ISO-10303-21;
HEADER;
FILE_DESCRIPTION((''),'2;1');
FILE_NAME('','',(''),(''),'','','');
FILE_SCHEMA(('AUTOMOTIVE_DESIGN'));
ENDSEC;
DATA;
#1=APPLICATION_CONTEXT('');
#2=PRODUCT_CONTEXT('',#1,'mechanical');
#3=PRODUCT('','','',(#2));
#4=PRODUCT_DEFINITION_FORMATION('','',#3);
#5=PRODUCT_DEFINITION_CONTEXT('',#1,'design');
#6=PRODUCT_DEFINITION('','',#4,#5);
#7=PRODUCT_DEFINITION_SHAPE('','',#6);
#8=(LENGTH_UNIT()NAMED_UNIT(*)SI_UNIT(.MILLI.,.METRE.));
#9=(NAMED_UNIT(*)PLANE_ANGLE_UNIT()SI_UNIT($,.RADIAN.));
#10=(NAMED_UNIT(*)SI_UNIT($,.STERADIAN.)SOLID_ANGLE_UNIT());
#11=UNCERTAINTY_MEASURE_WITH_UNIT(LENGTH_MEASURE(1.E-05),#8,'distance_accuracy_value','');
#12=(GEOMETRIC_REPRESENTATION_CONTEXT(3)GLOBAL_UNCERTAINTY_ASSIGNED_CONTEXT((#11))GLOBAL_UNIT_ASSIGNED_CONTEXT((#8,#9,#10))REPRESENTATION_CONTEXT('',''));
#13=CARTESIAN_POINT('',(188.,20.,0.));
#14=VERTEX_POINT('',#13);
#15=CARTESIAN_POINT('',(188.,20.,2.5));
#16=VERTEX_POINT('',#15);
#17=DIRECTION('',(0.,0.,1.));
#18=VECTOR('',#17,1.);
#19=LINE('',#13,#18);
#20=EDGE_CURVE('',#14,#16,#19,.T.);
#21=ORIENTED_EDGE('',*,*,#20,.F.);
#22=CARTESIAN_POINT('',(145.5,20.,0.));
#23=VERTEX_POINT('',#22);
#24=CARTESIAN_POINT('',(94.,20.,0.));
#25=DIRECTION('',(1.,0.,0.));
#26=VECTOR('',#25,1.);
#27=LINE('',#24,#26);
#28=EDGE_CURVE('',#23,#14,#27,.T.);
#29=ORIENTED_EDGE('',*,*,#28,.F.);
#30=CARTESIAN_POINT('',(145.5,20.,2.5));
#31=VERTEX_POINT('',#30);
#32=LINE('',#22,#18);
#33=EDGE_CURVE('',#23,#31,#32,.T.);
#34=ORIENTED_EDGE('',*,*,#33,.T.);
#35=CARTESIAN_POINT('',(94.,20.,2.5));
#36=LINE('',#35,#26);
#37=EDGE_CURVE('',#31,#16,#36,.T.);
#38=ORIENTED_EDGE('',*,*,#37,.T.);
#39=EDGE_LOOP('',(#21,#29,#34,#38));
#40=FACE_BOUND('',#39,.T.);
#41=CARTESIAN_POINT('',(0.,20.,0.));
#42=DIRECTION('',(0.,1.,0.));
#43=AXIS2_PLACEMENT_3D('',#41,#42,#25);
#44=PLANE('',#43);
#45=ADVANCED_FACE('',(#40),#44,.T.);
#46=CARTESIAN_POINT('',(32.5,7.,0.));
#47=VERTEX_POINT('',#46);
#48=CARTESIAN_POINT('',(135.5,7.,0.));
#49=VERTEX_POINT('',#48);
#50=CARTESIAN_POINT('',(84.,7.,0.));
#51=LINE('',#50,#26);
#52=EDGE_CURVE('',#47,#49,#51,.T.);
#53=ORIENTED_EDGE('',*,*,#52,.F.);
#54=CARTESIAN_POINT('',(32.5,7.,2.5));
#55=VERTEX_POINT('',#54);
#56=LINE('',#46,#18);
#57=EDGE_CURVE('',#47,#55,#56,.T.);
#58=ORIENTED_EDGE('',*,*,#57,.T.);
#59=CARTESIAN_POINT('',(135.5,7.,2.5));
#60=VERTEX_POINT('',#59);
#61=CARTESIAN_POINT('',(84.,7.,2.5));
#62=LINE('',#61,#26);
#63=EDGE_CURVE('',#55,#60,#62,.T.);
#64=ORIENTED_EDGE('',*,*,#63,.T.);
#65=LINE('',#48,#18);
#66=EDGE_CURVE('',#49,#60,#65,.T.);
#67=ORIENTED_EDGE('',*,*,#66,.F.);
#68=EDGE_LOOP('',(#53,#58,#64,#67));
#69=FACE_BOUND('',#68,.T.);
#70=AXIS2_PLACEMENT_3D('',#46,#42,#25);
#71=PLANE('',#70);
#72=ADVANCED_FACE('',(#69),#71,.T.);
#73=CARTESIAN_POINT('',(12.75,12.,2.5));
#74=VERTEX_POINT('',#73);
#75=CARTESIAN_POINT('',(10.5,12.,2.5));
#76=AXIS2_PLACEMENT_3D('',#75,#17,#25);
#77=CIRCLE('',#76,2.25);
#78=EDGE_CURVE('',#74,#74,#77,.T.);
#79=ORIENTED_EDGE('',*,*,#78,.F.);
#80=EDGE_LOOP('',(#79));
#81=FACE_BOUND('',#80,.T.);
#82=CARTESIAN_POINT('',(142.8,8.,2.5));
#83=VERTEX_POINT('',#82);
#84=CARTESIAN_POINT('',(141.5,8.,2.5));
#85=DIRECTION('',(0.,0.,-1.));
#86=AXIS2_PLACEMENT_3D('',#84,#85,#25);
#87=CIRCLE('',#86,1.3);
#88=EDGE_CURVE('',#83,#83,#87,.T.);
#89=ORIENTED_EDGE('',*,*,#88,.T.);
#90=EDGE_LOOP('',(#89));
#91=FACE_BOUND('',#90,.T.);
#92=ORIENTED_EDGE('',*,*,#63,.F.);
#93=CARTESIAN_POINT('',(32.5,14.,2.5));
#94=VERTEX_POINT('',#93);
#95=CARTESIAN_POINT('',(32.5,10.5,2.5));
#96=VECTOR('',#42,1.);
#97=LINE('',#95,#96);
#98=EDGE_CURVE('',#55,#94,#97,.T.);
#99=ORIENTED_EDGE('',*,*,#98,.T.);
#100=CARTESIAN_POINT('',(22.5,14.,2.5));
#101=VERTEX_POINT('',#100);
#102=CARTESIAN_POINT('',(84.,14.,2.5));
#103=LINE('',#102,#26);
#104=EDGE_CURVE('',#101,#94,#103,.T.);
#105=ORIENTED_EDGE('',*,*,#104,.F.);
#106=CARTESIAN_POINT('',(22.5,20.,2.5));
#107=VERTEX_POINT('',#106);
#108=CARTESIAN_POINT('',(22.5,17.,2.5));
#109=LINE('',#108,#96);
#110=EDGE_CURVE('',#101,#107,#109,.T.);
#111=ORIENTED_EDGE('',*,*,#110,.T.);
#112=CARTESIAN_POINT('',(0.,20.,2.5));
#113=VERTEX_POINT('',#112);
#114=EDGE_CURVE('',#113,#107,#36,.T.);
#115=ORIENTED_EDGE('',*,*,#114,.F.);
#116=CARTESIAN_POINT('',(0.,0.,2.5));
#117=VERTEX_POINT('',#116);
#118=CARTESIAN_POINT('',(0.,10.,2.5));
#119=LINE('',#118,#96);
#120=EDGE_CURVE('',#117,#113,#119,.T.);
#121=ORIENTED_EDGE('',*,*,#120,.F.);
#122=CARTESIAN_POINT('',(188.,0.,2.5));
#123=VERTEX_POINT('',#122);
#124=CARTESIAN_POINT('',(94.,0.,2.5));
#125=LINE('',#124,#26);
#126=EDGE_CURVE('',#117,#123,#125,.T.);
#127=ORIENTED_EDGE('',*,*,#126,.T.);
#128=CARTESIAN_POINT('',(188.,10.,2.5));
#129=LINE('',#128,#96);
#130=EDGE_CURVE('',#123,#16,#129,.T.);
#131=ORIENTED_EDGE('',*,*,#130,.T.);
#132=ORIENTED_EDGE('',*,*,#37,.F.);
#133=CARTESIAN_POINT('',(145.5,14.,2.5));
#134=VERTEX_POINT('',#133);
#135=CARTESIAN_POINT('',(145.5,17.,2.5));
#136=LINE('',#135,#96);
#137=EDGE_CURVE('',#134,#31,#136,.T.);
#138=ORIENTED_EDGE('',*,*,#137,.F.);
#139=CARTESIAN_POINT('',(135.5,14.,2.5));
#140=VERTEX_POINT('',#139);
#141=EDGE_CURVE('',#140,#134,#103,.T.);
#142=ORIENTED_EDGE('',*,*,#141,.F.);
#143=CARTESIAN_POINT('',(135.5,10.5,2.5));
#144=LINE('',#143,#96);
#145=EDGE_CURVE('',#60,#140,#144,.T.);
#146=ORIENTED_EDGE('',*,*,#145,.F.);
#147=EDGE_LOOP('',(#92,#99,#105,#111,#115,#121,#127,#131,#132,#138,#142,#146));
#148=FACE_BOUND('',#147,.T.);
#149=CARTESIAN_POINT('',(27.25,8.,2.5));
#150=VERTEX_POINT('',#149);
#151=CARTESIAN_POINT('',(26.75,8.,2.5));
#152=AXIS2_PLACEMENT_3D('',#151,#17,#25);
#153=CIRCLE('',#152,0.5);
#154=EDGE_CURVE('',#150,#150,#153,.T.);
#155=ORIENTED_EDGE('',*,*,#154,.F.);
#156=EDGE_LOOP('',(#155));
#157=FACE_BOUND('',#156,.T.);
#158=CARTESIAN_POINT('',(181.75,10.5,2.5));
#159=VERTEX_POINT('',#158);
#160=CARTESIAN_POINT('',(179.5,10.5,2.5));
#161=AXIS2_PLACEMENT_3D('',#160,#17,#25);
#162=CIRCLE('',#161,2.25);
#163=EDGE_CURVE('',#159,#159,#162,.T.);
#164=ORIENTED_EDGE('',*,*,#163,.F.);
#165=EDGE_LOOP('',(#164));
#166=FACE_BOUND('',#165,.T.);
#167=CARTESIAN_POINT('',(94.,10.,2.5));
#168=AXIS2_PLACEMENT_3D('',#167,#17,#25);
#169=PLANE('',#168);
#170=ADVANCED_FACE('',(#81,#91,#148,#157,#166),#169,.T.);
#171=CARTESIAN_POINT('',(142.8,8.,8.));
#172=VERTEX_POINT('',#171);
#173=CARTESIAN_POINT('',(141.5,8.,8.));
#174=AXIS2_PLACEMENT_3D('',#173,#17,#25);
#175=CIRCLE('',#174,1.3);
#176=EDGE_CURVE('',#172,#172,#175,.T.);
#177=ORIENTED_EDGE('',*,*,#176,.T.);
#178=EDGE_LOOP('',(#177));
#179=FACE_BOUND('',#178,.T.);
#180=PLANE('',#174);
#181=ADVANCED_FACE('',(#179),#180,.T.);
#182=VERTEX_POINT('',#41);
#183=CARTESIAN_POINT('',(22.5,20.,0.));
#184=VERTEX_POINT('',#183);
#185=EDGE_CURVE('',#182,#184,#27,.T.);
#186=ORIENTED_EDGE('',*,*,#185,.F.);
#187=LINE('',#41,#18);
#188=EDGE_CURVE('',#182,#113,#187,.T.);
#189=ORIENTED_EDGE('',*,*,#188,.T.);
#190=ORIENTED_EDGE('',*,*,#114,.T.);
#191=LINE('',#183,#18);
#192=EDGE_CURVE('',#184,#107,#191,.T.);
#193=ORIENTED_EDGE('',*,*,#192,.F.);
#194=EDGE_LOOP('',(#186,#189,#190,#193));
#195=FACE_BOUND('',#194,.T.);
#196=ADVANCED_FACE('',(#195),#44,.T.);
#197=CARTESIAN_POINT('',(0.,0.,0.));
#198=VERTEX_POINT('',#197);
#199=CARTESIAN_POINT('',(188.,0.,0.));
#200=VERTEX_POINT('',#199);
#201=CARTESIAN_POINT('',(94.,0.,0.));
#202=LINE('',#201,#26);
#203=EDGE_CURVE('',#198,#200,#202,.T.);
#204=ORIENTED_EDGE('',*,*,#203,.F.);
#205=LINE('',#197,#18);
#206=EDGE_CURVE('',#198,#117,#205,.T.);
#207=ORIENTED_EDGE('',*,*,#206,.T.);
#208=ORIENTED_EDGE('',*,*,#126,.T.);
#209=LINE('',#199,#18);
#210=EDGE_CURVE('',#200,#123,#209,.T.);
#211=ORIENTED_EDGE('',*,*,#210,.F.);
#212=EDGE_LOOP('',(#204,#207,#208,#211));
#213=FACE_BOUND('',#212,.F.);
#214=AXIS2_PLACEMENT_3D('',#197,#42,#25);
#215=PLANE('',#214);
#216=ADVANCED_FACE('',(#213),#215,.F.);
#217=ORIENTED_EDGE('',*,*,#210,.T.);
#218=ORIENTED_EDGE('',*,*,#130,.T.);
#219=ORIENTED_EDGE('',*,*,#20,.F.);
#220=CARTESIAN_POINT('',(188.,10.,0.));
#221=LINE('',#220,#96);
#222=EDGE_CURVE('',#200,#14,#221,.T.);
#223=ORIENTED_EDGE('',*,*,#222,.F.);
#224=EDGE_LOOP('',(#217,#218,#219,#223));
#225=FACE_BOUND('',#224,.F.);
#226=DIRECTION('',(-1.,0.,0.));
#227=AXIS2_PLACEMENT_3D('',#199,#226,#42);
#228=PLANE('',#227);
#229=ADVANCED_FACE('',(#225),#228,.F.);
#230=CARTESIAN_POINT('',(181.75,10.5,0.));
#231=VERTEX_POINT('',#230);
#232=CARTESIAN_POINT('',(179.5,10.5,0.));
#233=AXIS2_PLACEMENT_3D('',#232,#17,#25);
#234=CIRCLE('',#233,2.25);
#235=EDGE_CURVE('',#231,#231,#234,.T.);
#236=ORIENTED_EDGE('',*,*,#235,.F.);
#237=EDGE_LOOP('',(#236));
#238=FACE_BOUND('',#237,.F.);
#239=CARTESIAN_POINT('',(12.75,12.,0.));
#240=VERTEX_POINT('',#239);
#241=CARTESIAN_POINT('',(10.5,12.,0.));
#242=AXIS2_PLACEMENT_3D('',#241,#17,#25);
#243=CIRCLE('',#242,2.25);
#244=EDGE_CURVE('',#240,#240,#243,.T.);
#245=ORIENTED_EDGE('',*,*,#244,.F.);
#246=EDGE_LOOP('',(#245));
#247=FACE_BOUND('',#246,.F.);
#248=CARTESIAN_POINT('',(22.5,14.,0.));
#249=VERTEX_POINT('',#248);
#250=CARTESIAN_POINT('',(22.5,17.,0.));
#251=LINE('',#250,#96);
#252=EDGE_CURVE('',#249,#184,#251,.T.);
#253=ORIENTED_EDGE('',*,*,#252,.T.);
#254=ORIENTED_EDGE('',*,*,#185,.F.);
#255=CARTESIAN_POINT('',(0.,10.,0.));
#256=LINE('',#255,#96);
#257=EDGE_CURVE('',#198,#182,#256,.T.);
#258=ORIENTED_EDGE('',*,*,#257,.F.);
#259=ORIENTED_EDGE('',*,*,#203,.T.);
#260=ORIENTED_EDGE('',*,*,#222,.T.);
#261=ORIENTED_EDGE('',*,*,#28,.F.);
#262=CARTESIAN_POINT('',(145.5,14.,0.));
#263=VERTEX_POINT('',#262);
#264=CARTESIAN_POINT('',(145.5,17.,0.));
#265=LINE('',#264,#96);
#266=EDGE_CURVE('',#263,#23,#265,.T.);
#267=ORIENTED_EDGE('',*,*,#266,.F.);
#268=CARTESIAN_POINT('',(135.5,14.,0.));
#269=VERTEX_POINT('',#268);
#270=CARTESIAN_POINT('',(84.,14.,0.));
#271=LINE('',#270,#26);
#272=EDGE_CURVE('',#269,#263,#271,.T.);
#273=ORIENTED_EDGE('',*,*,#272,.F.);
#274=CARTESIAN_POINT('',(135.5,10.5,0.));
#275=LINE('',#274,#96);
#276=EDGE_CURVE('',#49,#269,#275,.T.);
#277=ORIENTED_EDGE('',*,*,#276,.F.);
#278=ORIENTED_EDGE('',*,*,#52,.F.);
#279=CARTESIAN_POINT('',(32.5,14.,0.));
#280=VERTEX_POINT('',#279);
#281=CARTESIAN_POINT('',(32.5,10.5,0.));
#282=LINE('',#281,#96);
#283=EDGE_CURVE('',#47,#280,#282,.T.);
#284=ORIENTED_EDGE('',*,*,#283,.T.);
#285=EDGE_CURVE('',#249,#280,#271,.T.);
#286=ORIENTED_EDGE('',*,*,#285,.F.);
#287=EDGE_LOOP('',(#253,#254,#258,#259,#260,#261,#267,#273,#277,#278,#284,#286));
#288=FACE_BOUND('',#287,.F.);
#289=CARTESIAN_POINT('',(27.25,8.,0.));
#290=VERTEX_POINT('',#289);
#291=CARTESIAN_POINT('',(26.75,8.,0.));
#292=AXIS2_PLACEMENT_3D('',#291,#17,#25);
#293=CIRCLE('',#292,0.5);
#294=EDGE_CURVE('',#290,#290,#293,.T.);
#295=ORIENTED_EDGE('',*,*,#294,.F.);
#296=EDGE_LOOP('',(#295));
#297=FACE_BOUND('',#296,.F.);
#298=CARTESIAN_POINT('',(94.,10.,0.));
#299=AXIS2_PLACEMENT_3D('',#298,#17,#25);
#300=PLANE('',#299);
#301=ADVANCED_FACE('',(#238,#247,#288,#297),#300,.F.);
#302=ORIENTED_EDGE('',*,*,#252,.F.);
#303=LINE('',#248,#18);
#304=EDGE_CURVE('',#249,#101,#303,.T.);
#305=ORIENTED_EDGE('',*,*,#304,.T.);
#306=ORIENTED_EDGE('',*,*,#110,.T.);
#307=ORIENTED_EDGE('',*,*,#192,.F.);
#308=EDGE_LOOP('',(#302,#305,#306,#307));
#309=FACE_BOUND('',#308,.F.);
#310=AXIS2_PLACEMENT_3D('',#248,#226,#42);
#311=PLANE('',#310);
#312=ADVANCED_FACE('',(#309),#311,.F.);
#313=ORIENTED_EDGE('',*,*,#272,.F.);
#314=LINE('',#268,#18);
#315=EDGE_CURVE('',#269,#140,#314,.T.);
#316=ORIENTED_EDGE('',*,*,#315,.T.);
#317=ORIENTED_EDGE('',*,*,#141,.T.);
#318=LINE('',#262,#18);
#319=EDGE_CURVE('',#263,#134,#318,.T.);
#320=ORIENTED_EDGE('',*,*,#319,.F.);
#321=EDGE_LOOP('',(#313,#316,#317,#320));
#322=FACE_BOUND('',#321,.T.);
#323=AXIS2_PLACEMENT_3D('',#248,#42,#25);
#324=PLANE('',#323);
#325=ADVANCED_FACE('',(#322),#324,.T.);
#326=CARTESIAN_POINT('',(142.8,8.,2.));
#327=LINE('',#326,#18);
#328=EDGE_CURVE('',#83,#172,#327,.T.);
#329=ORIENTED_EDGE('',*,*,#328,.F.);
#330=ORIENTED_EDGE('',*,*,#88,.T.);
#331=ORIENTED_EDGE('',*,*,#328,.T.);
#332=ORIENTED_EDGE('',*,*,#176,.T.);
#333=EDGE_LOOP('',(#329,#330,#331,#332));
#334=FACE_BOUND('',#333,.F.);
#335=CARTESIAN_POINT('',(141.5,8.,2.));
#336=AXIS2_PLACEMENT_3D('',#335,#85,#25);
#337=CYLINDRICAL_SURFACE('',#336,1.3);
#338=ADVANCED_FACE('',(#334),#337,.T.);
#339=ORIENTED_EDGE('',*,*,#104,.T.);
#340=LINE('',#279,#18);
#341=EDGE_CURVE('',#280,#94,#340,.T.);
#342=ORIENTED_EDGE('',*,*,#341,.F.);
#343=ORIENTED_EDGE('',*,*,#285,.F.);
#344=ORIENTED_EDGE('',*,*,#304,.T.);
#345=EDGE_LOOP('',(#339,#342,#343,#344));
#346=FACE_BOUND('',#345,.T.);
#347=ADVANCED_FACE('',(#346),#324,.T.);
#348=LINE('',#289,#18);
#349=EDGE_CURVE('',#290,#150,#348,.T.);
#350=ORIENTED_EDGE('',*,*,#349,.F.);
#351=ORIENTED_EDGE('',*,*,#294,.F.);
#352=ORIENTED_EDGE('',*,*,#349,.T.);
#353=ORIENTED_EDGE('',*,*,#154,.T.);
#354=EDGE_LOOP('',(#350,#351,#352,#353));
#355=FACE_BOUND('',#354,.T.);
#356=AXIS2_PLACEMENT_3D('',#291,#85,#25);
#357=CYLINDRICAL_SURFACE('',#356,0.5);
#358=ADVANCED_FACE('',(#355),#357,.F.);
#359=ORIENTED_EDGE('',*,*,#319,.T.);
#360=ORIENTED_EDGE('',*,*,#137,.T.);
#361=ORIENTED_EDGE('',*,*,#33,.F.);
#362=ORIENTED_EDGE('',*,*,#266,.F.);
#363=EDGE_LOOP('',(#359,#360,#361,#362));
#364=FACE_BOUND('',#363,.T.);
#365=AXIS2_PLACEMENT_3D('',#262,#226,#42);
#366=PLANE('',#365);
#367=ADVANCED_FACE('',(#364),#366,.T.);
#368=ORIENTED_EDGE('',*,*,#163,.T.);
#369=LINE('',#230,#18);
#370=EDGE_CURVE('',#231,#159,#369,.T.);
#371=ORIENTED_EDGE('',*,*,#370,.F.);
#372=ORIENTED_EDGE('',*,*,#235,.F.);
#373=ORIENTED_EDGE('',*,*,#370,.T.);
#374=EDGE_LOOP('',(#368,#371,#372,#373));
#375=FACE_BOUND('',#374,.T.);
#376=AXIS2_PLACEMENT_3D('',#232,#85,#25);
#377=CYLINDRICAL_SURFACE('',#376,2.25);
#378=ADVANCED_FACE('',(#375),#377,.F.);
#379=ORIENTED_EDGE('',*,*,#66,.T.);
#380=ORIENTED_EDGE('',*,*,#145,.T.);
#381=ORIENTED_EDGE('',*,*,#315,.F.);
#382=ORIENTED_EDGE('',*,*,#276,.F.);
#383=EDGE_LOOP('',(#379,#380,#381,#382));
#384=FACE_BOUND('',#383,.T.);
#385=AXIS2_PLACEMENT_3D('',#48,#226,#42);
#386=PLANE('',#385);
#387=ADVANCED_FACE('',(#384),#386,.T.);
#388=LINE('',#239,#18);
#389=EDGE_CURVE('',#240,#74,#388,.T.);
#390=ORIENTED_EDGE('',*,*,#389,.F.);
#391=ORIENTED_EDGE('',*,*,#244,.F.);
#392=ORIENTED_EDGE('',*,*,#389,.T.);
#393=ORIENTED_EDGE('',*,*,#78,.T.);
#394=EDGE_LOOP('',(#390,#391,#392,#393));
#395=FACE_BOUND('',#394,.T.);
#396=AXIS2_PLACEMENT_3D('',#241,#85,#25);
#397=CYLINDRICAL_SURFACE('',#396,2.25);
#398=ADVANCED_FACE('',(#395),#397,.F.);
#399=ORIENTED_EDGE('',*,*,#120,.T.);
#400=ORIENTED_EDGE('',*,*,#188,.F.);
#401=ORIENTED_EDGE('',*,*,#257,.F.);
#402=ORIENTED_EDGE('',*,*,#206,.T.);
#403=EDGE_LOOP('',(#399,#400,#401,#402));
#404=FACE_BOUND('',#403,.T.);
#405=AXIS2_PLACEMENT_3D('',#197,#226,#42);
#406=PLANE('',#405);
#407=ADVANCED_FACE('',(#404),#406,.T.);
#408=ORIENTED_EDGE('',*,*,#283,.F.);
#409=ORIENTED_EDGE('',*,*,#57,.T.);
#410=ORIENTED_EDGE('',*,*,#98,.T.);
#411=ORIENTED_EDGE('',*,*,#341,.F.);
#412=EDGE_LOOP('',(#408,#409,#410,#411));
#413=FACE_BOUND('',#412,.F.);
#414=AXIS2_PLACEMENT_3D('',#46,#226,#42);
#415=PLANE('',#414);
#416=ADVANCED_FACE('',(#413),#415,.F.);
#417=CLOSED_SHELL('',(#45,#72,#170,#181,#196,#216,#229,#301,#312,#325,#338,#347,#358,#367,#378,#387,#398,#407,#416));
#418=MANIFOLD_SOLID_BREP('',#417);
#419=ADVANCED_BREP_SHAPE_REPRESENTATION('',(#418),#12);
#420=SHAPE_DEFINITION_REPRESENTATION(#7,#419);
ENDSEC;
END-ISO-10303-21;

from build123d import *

# Parameters (mm, degrees)
BOX_W             = 188
BOX_H             = 20
BOX_DEPTH         = 2.5
CYLINDER_R        = 2.25
CYLINDER_DEPTH    = 2.5
CYLINDER001_R     = 2.25
CYLINDER001_DEPTH = 2.5
BOX001_W          = 123
BOX001_H          = 6
BOX001_DEPTH      = 2.5
BOX002_W          = 103
BOX002_H          = 7
BOX002_DEPTH      = 2.5
CYLINDER003_R     = 1.3
CYLINDER003_DEPTH = 6
CYLINDER004_R     = 0.5
CYLINDER004_DEPTH = 2.5


with BuildPart() as part:
    # Box → Box (join)
    with BuildSketch(Plane.XY):
        with Locations((94, 10)):
            Rectangle(BOX_W, BOX_H)
    extrude(amount=BOX_DEPTH)

    # Cylinder → Cylinder (cut)
    with BuildSketch(Plane(origin=(10.5, 12, 0), x_dir=(1, 0, 0), z_dir=(0, 0, 1))):
        Circle(CYLINDER_R)
    extrude(amount=CYLINDER_DEPTH, mode=Mode.SUBTRACT)

    # Cylinder001 → Cylinder001 (cut)
    with BuildSketch(Plane(origin=(179.5, 10.5, 0), x_dir=(1, 0, 0), z_dir=(0, 0, 1))):
        Circle(CYLINDER001_R)
    extrude(amount=CYLINDER001_DEPTH, mode=Mode.SUBTRACT)

    # Box001 → Box001 (cut)
    with BuildSketch(Plane(origin=(22.5, 14, 0), x_dir=(1, 0, 0), z_dir=(0, 0, 1))):
        with Locations((61.5, 3)):
            Rectangle(BOX001_W, BOX001_H)
    extrude(amount=BOX001_DEPTH, mode=Mode.SUBTRACT)

    # Box002 → Box002 (cut)
    with BuildSketch(Plane(origin=(32.5, 7, 0), x_dir=(1, 0, 0), z_dir=(0, 0, 1))):
        with Locations((51.5, 3.5)):
            Rectangle(BOX002_W, BOX002_H)
    extrude(amount=BOX002_DEPTH, mode=Mode.SUBTRACT)

    # Cylinder003 → Cylinder003 (join)
    with BuildSketch(Plane(origin=(141.5, 8, 2), x_dir=(1, 0, 0), z_dir=(0, 0, 1))):
        Circle(CYLINDER003_R)
    extrude(amount=CYLINDER003_DEPTH)

    # Cylinder004 → Cylinder004 (cut)
    with BuildSketch(Plane(origin=(26.75, 8, 0), x_dir=(1, 0, 0), z_dir=(0, 0, 1))):
        Circle(CYLINDER004_R)
    extrude(amount=CYLINDER004_DEPTH, mode=Mode.SUBTRACT)


solid = part.part
